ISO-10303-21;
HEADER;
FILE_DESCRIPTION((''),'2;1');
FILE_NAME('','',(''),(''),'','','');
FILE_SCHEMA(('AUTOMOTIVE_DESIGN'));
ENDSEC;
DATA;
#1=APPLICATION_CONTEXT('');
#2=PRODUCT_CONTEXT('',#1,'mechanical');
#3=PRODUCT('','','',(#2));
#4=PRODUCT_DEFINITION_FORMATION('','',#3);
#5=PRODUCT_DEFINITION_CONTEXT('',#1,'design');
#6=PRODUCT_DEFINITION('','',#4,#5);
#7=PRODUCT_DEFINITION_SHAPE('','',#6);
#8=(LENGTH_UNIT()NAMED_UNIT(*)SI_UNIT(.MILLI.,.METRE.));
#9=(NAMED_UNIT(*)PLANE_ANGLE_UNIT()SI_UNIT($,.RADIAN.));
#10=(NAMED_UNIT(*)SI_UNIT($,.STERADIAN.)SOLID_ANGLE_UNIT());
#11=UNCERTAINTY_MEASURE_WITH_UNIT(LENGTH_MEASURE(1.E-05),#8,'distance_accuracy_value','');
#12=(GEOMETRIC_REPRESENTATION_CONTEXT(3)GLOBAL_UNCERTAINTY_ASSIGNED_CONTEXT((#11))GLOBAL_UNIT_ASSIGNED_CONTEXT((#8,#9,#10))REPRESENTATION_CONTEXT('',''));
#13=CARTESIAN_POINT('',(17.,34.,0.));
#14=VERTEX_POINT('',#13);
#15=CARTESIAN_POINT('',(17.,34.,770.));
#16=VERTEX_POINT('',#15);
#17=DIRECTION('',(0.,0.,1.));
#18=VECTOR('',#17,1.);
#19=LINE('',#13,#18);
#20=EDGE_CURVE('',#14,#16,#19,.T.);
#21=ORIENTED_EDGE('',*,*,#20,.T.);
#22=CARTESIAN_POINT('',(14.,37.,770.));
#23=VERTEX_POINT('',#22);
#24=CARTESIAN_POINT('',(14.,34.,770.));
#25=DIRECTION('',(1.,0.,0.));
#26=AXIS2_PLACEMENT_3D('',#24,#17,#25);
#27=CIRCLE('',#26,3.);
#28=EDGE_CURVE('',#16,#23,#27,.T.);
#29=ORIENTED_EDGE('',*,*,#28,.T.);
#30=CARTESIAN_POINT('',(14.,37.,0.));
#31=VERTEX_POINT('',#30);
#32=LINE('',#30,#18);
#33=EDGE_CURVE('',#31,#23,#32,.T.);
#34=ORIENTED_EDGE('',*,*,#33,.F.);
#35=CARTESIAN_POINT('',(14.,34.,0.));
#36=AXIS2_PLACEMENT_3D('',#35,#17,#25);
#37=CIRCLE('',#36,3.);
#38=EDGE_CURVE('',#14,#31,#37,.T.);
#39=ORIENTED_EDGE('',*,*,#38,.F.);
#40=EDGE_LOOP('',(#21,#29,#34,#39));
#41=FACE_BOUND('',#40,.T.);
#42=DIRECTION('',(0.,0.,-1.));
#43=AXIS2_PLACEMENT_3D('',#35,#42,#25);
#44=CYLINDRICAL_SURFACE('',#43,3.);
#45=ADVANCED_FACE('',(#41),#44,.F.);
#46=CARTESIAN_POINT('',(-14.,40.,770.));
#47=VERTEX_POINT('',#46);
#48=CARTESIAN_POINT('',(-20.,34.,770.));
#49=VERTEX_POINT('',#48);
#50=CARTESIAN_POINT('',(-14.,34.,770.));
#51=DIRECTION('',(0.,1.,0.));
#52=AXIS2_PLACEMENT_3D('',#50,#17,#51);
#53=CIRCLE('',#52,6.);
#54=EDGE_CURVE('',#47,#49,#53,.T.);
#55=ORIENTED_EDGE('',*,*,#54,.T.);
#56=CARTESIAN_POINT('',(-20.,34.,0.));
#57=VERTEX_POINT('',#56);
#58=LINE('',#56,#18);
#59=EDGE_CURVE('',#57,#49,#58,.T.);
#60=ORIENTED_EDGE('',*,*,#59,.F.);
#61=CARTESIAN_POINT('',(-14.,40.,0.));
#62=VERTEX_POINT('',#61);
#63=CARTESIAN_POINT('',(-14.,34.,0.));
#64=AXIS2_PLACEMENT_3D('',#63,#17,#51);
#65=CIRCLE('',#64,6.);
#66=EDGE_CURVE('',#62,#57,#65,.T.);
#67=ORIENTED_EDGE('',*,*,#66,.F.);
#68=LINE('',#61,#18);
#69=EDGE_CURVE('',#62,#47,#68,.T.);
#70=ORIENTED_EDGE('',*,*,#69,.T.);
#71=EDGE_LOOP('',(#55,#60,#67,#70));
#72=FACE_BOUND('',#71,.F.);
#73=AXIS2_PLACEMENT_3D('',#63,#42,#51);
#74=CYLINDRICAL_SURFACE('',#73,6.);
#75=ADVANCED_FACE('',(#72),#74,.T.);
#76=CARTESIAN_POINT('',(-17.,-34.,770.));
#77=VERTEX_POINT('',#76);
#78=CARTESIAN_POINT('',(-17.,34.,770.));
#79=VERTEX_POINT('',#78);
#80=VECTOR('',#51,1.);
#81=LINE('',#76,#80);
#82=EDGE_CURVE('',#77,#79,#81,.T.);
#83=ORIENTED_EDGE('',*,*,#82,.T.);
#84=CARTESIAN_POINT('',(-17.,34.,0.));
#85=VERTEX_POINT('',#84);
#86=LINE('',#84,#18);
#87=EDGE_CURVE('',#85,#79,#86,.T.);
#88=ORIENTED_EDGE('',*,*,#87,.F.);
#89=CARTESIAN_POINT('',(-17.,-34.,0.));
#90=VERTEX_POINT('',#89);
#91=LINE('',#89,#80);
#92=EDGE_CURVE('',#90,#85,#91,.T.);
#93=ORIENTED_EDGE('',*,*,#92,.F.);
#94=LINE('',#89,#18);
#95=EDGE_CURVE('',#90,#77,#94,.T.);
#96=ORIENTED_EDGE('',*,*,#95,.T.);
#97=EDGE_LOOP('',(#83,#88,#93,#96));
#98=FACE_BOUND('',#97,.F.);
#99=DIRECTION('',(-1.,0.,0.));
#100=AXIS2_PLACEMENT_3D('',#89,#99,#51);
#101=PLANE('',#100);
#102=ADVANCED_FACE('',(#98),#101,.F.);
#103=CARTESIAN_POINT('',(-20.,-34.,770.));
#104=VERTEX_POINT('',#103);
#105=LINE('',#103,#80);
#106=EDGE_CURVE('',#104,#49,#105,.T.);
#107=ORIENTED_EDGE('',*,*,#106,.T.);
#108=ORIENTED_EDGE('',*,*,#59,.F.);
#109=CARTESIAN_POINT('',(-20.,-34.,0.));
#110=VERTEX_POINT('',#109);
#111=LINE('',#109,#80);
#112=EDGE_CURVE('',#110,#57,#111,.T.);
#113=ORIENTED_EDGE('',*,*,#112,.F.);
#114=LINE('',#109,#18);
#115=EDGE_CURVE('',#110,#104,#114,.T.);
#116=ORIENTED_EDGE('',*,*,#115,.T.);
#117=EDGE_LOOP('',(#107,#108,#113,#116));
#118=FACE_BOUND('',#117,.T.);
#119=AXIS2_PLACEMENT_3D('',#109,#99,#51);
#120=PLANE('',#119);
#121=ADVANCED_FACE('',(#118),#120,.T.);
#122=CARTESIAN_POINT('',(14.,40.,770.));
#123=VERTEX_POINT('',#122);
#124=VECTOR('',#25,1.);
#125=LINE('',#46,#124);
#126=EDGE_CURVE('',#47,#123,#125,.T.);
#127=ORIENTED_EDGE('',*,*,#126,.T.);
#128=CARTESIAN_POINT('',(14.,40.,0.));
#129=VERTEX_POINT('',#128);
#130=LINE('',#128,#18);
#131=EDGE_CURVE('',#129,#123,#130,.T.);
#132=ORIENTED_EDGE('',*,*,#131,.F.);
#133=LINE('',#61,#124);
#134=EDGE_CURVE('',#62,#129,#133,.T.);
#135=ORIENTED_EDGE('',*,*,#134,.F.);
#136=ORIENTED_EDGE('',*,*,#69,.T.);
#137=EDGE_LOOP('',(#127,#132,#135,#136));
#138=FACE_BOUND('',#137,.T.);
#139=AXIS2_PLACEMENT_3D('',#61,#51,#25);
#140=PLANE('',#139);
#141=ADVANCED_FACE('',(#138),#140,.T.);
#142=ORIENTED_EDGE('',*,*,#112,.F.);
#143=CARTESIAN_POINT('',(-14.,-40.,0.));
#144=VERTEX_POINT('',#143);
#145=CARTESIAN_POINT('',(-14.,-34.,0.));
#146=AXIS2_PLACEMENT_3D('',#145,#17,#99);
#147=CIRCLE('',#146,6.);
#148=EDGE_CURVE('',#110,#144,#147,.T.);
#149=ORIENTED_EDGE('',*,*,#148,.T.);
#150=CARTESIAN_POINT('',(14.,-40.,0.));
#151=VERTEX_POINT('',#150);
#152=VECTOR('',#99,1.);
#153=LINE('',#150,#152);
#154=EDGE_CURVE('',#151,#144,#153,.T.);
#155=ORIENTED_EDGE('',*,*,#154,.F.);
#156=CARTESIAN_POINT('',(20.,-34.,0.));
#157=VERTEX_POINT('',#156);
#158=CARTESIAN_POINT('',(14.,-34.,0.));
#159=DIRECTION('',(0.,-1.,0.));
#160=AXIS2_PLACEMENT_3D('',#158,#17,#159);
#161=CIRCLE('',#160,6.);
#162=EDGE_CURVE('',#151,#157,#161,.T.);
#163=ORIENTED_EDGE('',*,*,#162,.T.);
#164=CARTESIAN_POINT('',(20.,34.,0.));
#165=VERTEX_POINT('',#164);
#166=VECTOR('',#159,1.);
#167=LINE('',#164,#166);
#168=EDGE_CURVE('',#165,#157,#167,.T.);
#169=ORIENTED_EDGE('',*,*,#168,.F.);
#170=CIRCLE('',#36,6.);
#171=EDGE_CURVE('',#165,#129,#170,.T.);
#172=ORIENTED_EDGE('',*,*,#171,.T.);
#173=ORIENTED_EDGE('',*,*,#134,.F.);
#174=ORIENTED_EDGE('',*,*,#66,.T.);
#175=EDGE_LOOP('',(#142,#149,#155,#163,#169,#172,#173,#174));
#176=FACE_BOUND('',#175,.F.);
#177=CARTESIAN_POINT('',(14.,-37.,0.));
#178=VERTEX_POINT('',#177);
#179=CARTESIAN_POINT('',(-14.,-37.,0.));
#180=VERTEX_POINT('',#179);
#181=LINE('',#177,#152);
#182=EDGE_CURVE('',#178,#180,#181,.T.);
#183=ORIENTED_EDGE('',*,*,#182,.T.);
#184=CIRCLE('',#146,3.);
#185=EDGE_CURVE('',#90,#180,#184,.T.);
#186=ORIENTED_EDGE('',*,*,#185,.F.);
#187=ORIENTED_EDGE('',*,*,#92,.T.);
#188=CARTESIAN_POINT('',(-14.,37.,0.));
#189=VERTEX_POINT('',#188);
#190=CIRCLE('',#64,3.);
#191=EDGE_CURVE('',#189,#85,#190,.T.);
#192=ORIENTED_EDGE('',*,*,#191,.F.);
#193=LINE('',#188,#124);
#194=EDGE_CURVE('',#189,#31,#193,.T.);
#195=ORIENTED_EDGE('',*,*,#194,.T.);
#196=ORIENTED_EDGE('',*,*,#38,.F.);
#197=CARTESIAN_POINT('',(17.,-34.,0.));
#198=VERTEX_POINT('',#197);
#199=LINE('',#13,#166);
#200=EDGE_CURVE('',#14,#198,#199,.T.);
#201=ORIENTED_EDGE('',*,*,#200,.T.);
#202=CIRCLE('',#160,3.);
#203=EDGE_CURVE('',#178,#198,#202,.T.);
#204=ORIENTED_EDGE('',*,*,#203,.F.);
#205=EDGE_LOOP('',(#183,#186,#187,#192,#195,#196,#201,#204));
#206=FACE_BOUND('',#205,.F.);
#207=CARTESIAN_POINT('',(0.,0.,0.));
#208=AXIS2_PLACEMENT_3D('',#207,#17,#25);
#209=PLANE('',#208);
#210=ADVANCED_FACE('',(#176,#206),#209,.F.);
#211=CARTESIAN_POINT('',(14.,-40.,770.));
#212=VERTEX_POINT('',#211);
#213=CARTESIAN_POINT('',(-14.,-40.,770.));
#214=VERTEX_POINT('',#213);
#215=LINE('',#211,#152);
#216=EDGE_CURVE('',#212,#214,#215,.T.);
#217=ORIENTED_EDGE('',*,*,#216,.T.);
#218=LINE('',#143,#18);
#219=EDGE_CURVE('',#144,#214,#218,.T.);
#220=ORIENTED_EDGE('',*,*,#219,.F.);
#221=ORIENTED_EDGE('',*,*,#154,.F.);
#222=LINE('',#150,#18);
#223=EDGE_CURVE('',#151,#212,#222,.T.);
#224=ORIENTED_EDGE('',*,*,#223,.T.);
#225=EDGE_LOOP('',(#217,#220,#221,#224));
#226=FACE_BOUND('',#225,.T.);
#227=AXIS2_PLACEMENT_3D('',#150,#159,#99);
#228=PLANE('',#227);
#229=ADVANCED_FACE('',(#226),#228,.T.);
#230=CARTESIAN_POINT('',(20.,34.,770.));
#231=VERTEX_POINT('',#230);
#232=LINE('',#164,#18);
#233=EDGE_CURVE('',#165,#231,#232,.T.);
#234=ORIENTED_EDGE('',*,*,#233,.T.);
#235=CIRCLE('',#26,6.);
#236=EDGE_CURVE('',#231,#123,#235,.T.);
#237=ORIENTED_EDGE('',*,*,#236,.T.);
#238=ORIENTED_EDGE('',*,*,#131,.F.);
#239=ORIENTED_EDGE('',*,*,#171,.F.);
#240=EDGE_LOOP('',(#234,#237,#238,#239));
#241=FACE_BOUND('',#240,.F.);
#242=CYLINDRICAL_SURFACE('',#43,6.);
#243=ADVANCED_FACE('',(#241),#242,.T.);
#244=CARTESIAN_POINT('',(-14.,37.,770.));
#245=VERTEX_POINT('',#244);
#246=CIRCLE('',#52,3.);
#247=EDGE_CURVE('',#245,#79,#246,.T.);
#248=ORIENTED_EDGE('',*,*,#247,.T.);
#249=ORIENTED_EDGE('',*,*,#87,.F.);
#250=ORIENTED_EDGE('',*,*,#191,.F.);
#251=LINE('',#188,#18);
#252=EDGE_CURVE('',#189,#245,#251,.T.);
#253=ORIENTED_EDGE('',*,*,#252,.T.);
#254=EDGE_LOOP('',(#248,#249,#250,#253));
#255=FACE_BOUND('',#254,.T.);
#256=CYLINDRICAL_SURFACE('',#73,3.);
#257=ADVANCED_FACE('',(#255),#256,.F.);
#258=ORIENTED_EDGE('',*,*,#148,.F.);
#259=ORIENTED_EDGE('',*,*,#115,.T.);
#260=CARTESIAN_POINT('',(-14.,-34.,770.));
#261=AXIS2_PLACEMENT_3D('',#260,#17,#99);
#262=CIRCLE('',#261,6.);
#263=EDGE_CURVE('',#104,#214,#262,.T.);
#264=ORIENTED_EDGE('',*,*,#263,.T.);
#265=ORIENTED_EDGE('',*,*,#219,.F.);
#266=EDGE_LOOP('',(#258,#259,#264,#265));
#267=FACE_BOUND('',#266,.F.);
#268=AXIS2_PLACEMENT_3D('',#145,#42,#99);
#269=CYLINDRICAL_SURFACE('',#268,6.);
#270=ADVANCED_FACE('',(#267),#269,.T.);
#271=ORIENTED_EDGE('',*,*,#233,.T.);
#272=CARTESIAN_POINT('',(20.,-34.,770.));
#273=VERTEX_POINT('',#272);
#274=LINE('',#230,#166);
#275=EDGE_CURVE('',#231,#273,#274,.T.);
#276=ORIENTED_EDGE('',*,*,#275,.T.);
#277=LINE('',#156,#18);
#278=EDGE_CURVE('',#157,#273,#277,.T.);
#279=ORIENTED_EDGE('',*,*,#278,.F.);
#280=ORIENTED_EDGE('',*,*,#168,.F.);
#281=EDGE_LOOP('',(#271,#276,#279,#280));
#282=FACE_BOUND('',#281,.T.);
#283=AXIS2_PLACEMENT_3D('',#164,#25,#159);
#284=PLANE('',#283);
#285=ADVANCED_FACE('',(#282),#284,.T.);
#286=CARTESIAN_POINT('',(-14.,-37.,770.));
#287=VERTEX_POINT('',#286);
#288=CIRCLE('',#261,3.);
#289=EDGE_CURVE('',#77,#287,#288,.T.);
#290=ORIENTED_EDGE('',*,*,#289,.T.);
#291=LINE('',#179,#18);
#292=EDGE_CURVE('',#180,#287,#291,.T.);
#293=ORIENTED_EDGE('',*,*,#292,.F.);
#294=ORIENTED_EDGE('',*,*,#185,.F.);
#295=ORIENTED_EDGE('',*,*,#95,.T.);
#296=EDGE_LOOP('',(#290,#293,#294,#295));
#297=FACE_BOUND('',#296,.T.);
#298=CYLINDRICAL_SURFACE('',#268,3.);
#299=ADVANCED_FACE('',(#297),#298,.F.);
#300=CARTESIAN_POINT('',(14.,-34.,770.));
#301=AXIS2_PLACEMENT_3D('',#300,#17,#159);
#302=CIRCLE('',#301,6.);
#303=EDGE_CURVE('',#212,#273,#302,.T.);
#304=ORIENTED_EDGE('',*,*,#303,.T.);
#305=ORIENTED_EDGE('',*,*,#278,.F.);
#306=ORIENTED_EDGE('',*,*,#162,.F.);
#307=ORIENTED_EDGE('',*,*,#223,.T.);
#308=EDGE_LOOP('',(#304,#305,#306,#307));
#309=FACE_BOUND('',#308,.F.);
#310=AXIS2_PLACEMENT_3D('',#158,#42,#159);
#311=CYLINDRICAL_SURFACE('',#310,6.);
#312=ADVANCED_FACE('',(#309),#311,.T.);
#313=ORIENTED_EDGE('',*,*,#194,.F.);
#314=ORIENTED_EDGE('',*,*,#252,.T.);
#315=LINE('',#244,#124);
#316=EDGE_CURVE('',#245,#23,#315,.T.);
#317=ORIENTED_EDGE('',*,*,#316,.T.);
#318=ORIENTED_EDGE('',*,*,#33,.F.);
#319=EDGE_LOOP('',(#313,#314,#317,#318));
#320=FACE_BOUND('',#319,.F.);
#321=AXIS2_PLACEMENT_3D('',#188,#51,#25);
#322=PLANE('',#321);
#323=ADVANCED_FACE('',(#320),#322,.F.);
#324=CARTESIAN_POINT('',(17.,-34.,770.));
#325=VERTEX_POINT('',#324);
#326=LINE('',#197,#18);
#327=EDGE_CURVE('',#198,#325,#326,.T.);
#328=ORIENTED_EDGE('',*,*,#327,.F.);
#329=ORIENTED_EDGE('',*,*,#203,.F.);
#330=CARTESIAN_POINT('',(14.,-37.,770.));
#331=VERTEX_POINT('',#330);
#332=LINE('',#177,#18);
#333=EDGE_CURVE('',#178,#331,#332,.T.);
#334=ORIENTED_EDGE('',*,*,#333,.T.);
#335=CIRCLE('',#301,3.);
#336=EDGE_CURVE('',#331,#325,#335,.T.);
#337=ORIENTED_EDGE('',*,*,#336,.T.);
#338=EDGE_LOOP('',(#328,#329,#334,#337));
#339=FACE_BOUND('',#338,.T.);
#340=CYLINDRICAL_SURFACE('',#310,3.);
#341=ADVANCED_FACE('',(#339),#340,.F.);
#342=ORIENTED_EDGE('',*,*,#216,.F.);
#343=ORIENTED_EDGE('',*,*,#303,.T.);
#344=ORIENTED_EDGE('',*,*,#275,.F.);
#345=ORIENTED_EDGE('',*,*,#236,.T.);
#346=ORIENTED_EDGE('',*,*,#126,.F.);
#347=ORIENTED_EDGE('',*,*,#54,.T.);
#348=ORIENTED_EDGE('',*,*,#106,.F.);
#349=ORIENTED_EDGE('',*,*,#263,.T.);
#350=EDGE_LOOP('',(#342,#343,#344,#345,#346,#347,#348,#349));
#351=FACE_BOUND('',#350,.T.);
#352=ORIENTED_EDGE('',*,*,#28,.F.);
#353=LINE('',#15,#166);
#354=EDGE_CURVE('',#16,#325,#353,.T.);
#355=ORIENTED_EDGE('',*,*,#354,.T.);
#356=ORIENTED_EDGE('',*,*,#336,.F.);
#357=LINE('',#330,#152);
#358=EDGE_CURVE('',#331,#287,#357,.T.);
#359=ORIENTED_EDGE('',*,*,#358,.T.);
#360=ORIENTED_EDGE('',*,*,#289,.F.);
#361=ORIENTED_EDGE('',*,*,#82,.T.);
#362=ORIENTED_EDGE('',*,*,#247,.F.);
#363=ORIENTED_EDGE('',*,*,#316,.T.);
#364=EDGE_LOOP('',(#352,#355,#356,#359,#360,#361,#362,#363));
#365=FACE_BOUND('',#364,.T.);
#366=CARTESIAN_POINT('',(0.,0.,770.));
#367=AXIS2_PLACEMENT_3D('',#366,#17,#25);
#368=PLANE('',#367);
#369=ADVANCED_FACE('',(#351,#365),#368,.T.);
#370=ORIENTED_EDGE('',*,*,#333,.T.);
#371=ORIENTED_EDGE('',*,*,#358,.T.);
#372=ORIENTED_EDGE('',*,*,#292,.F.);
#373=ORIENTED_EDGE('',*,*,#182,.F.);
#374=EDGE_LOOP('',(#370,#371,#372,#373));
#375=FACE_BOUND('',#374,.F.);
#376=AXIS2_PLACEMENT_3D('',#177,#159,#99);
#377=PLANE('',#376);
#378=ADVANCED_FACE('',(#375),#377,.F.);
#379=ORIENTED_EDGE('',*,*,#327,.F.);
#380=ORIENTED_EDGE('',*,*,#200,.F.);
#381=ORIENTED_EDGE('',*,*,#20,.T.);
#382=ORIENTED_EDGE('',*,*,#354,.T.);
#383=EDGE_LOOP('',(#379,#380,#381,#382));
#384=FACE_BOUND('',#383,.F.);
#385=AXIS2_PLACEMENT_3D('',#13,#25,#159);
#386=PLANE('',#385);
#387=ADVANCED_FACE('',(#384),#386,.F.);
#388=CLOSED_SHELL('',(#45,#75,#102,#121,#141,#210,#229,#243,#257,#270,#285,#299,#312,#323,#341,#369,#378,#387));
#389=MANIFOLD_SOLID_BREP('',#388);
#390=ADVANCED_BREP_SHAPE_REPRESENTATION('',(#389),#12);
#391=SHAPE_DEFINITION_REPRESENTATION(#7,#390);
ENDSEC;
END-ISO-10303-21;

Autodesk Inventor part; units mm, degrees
ref_plane "YZ Plane" through (0, 0, 0) normal (1, 0, 0) x (0, 1, 0)
ref_plane "Start Plane" through (0, 0, 0) normal (0, 0, 1) x (1, 0, 0)
ref_plane "End Plane" through (0, 0, 770) normal (0, 0, 1) x (1, 0, 0)
sketch "Sketch" plane through (0, 0, 0) normal (0, 0, 1) x (1, 0, 0)
  line L0 (-20, -34) -> (-20, 34)
  line L1 (-14, 40) -> (14, 40)
  line L2 (20, 34) -> (20, -34)
  line L3 (14, -40) -> (-14, -40)
  arc A0 (-20, -34) -> (-14, -40) centre (-14, -34) ccw
  arc A1 (20, 34) -> (14, 40) centre (14, 34) ccw
  arc A2 (-14, 40) -> (-20, 34) centre (-14, 34) ccw
  arc A3 (14, -40) -> (20, -34) centre (14, -34) ccw
  arc A4 (-14, 37) -> (-17, 34) centre (-14, 34) ccw
  line L4 (-14, 37) -> (14, 37)
  arc A5 (17, 34) -> (14, 37) centre (14, 34) ccw
  line L5 (17, 34) -> (17, -34)
  arc A6 (14, -37) -> (17, -34) centre (14, -34) ccw
  line L6 (14, -37) -> (-14, -37)
  arc A7 (-17, -34) -> (-14, -37) centre (-14, -34) ccw
  line L7 (-17, -34) -> (-17, 34)
  line L8 (0, 57.7397) -> (0, -57.7397) construction
  line L9 (-29.7397, 0) -> (29.7397, 0) construction
  dimension "d7" = 6
  dimension "d9" = 40
  dimension "d11" = 80
  dimension "d12" = 3
  dimension "d15" = 20
  dimension "d16" = 40
extrude "Body" add sketch "Sketch" along normal up to surface (770 mm away) from surface at 0
sketch "Sketch3" plane through (0, 0, 0) normal (0, 0, 1) x (1, 0, 0)
  line L0 (0, 0) -> (10, 0)
ref_plane "Work Plane3" through (0, 0, 0) normal (0, -1, 0) x (1, 0, 0)
sketch "Sketch4" plane through (0, 0, 0) normal (0, -1, 0) x (1, 0, 0)
  line L0 (-2, 0) -> (12, 0) projected
  line L1 (-2, 770) -> (12, 770) projected
  dimension "d18" = 770
equation "\"d7\" = G_IR"
equation "\"d9\" = G_W"
equation "\"d11\" = G_H"
equation "\"d12\" = G_T"
equation "\"d15\" = 0.5 * d9"
equation "\"d16\" = 0.5 * d11"
equation "\"d3\" = G_L"
equation "\"G_W\" = 40"
equation "\"G_H\" = 80"
equation "\"G_T\" = 3"
equation "\"G_IR\" = 6"
equation "\"G_L\" = d18"
equation "\"G_OFFSET_START\" = 0"
equation "\"G_OFFSET_END\" = 0"
properties part number "ISO 10799-2 - 80x40x3 - 770" material "Steel, Mild"
